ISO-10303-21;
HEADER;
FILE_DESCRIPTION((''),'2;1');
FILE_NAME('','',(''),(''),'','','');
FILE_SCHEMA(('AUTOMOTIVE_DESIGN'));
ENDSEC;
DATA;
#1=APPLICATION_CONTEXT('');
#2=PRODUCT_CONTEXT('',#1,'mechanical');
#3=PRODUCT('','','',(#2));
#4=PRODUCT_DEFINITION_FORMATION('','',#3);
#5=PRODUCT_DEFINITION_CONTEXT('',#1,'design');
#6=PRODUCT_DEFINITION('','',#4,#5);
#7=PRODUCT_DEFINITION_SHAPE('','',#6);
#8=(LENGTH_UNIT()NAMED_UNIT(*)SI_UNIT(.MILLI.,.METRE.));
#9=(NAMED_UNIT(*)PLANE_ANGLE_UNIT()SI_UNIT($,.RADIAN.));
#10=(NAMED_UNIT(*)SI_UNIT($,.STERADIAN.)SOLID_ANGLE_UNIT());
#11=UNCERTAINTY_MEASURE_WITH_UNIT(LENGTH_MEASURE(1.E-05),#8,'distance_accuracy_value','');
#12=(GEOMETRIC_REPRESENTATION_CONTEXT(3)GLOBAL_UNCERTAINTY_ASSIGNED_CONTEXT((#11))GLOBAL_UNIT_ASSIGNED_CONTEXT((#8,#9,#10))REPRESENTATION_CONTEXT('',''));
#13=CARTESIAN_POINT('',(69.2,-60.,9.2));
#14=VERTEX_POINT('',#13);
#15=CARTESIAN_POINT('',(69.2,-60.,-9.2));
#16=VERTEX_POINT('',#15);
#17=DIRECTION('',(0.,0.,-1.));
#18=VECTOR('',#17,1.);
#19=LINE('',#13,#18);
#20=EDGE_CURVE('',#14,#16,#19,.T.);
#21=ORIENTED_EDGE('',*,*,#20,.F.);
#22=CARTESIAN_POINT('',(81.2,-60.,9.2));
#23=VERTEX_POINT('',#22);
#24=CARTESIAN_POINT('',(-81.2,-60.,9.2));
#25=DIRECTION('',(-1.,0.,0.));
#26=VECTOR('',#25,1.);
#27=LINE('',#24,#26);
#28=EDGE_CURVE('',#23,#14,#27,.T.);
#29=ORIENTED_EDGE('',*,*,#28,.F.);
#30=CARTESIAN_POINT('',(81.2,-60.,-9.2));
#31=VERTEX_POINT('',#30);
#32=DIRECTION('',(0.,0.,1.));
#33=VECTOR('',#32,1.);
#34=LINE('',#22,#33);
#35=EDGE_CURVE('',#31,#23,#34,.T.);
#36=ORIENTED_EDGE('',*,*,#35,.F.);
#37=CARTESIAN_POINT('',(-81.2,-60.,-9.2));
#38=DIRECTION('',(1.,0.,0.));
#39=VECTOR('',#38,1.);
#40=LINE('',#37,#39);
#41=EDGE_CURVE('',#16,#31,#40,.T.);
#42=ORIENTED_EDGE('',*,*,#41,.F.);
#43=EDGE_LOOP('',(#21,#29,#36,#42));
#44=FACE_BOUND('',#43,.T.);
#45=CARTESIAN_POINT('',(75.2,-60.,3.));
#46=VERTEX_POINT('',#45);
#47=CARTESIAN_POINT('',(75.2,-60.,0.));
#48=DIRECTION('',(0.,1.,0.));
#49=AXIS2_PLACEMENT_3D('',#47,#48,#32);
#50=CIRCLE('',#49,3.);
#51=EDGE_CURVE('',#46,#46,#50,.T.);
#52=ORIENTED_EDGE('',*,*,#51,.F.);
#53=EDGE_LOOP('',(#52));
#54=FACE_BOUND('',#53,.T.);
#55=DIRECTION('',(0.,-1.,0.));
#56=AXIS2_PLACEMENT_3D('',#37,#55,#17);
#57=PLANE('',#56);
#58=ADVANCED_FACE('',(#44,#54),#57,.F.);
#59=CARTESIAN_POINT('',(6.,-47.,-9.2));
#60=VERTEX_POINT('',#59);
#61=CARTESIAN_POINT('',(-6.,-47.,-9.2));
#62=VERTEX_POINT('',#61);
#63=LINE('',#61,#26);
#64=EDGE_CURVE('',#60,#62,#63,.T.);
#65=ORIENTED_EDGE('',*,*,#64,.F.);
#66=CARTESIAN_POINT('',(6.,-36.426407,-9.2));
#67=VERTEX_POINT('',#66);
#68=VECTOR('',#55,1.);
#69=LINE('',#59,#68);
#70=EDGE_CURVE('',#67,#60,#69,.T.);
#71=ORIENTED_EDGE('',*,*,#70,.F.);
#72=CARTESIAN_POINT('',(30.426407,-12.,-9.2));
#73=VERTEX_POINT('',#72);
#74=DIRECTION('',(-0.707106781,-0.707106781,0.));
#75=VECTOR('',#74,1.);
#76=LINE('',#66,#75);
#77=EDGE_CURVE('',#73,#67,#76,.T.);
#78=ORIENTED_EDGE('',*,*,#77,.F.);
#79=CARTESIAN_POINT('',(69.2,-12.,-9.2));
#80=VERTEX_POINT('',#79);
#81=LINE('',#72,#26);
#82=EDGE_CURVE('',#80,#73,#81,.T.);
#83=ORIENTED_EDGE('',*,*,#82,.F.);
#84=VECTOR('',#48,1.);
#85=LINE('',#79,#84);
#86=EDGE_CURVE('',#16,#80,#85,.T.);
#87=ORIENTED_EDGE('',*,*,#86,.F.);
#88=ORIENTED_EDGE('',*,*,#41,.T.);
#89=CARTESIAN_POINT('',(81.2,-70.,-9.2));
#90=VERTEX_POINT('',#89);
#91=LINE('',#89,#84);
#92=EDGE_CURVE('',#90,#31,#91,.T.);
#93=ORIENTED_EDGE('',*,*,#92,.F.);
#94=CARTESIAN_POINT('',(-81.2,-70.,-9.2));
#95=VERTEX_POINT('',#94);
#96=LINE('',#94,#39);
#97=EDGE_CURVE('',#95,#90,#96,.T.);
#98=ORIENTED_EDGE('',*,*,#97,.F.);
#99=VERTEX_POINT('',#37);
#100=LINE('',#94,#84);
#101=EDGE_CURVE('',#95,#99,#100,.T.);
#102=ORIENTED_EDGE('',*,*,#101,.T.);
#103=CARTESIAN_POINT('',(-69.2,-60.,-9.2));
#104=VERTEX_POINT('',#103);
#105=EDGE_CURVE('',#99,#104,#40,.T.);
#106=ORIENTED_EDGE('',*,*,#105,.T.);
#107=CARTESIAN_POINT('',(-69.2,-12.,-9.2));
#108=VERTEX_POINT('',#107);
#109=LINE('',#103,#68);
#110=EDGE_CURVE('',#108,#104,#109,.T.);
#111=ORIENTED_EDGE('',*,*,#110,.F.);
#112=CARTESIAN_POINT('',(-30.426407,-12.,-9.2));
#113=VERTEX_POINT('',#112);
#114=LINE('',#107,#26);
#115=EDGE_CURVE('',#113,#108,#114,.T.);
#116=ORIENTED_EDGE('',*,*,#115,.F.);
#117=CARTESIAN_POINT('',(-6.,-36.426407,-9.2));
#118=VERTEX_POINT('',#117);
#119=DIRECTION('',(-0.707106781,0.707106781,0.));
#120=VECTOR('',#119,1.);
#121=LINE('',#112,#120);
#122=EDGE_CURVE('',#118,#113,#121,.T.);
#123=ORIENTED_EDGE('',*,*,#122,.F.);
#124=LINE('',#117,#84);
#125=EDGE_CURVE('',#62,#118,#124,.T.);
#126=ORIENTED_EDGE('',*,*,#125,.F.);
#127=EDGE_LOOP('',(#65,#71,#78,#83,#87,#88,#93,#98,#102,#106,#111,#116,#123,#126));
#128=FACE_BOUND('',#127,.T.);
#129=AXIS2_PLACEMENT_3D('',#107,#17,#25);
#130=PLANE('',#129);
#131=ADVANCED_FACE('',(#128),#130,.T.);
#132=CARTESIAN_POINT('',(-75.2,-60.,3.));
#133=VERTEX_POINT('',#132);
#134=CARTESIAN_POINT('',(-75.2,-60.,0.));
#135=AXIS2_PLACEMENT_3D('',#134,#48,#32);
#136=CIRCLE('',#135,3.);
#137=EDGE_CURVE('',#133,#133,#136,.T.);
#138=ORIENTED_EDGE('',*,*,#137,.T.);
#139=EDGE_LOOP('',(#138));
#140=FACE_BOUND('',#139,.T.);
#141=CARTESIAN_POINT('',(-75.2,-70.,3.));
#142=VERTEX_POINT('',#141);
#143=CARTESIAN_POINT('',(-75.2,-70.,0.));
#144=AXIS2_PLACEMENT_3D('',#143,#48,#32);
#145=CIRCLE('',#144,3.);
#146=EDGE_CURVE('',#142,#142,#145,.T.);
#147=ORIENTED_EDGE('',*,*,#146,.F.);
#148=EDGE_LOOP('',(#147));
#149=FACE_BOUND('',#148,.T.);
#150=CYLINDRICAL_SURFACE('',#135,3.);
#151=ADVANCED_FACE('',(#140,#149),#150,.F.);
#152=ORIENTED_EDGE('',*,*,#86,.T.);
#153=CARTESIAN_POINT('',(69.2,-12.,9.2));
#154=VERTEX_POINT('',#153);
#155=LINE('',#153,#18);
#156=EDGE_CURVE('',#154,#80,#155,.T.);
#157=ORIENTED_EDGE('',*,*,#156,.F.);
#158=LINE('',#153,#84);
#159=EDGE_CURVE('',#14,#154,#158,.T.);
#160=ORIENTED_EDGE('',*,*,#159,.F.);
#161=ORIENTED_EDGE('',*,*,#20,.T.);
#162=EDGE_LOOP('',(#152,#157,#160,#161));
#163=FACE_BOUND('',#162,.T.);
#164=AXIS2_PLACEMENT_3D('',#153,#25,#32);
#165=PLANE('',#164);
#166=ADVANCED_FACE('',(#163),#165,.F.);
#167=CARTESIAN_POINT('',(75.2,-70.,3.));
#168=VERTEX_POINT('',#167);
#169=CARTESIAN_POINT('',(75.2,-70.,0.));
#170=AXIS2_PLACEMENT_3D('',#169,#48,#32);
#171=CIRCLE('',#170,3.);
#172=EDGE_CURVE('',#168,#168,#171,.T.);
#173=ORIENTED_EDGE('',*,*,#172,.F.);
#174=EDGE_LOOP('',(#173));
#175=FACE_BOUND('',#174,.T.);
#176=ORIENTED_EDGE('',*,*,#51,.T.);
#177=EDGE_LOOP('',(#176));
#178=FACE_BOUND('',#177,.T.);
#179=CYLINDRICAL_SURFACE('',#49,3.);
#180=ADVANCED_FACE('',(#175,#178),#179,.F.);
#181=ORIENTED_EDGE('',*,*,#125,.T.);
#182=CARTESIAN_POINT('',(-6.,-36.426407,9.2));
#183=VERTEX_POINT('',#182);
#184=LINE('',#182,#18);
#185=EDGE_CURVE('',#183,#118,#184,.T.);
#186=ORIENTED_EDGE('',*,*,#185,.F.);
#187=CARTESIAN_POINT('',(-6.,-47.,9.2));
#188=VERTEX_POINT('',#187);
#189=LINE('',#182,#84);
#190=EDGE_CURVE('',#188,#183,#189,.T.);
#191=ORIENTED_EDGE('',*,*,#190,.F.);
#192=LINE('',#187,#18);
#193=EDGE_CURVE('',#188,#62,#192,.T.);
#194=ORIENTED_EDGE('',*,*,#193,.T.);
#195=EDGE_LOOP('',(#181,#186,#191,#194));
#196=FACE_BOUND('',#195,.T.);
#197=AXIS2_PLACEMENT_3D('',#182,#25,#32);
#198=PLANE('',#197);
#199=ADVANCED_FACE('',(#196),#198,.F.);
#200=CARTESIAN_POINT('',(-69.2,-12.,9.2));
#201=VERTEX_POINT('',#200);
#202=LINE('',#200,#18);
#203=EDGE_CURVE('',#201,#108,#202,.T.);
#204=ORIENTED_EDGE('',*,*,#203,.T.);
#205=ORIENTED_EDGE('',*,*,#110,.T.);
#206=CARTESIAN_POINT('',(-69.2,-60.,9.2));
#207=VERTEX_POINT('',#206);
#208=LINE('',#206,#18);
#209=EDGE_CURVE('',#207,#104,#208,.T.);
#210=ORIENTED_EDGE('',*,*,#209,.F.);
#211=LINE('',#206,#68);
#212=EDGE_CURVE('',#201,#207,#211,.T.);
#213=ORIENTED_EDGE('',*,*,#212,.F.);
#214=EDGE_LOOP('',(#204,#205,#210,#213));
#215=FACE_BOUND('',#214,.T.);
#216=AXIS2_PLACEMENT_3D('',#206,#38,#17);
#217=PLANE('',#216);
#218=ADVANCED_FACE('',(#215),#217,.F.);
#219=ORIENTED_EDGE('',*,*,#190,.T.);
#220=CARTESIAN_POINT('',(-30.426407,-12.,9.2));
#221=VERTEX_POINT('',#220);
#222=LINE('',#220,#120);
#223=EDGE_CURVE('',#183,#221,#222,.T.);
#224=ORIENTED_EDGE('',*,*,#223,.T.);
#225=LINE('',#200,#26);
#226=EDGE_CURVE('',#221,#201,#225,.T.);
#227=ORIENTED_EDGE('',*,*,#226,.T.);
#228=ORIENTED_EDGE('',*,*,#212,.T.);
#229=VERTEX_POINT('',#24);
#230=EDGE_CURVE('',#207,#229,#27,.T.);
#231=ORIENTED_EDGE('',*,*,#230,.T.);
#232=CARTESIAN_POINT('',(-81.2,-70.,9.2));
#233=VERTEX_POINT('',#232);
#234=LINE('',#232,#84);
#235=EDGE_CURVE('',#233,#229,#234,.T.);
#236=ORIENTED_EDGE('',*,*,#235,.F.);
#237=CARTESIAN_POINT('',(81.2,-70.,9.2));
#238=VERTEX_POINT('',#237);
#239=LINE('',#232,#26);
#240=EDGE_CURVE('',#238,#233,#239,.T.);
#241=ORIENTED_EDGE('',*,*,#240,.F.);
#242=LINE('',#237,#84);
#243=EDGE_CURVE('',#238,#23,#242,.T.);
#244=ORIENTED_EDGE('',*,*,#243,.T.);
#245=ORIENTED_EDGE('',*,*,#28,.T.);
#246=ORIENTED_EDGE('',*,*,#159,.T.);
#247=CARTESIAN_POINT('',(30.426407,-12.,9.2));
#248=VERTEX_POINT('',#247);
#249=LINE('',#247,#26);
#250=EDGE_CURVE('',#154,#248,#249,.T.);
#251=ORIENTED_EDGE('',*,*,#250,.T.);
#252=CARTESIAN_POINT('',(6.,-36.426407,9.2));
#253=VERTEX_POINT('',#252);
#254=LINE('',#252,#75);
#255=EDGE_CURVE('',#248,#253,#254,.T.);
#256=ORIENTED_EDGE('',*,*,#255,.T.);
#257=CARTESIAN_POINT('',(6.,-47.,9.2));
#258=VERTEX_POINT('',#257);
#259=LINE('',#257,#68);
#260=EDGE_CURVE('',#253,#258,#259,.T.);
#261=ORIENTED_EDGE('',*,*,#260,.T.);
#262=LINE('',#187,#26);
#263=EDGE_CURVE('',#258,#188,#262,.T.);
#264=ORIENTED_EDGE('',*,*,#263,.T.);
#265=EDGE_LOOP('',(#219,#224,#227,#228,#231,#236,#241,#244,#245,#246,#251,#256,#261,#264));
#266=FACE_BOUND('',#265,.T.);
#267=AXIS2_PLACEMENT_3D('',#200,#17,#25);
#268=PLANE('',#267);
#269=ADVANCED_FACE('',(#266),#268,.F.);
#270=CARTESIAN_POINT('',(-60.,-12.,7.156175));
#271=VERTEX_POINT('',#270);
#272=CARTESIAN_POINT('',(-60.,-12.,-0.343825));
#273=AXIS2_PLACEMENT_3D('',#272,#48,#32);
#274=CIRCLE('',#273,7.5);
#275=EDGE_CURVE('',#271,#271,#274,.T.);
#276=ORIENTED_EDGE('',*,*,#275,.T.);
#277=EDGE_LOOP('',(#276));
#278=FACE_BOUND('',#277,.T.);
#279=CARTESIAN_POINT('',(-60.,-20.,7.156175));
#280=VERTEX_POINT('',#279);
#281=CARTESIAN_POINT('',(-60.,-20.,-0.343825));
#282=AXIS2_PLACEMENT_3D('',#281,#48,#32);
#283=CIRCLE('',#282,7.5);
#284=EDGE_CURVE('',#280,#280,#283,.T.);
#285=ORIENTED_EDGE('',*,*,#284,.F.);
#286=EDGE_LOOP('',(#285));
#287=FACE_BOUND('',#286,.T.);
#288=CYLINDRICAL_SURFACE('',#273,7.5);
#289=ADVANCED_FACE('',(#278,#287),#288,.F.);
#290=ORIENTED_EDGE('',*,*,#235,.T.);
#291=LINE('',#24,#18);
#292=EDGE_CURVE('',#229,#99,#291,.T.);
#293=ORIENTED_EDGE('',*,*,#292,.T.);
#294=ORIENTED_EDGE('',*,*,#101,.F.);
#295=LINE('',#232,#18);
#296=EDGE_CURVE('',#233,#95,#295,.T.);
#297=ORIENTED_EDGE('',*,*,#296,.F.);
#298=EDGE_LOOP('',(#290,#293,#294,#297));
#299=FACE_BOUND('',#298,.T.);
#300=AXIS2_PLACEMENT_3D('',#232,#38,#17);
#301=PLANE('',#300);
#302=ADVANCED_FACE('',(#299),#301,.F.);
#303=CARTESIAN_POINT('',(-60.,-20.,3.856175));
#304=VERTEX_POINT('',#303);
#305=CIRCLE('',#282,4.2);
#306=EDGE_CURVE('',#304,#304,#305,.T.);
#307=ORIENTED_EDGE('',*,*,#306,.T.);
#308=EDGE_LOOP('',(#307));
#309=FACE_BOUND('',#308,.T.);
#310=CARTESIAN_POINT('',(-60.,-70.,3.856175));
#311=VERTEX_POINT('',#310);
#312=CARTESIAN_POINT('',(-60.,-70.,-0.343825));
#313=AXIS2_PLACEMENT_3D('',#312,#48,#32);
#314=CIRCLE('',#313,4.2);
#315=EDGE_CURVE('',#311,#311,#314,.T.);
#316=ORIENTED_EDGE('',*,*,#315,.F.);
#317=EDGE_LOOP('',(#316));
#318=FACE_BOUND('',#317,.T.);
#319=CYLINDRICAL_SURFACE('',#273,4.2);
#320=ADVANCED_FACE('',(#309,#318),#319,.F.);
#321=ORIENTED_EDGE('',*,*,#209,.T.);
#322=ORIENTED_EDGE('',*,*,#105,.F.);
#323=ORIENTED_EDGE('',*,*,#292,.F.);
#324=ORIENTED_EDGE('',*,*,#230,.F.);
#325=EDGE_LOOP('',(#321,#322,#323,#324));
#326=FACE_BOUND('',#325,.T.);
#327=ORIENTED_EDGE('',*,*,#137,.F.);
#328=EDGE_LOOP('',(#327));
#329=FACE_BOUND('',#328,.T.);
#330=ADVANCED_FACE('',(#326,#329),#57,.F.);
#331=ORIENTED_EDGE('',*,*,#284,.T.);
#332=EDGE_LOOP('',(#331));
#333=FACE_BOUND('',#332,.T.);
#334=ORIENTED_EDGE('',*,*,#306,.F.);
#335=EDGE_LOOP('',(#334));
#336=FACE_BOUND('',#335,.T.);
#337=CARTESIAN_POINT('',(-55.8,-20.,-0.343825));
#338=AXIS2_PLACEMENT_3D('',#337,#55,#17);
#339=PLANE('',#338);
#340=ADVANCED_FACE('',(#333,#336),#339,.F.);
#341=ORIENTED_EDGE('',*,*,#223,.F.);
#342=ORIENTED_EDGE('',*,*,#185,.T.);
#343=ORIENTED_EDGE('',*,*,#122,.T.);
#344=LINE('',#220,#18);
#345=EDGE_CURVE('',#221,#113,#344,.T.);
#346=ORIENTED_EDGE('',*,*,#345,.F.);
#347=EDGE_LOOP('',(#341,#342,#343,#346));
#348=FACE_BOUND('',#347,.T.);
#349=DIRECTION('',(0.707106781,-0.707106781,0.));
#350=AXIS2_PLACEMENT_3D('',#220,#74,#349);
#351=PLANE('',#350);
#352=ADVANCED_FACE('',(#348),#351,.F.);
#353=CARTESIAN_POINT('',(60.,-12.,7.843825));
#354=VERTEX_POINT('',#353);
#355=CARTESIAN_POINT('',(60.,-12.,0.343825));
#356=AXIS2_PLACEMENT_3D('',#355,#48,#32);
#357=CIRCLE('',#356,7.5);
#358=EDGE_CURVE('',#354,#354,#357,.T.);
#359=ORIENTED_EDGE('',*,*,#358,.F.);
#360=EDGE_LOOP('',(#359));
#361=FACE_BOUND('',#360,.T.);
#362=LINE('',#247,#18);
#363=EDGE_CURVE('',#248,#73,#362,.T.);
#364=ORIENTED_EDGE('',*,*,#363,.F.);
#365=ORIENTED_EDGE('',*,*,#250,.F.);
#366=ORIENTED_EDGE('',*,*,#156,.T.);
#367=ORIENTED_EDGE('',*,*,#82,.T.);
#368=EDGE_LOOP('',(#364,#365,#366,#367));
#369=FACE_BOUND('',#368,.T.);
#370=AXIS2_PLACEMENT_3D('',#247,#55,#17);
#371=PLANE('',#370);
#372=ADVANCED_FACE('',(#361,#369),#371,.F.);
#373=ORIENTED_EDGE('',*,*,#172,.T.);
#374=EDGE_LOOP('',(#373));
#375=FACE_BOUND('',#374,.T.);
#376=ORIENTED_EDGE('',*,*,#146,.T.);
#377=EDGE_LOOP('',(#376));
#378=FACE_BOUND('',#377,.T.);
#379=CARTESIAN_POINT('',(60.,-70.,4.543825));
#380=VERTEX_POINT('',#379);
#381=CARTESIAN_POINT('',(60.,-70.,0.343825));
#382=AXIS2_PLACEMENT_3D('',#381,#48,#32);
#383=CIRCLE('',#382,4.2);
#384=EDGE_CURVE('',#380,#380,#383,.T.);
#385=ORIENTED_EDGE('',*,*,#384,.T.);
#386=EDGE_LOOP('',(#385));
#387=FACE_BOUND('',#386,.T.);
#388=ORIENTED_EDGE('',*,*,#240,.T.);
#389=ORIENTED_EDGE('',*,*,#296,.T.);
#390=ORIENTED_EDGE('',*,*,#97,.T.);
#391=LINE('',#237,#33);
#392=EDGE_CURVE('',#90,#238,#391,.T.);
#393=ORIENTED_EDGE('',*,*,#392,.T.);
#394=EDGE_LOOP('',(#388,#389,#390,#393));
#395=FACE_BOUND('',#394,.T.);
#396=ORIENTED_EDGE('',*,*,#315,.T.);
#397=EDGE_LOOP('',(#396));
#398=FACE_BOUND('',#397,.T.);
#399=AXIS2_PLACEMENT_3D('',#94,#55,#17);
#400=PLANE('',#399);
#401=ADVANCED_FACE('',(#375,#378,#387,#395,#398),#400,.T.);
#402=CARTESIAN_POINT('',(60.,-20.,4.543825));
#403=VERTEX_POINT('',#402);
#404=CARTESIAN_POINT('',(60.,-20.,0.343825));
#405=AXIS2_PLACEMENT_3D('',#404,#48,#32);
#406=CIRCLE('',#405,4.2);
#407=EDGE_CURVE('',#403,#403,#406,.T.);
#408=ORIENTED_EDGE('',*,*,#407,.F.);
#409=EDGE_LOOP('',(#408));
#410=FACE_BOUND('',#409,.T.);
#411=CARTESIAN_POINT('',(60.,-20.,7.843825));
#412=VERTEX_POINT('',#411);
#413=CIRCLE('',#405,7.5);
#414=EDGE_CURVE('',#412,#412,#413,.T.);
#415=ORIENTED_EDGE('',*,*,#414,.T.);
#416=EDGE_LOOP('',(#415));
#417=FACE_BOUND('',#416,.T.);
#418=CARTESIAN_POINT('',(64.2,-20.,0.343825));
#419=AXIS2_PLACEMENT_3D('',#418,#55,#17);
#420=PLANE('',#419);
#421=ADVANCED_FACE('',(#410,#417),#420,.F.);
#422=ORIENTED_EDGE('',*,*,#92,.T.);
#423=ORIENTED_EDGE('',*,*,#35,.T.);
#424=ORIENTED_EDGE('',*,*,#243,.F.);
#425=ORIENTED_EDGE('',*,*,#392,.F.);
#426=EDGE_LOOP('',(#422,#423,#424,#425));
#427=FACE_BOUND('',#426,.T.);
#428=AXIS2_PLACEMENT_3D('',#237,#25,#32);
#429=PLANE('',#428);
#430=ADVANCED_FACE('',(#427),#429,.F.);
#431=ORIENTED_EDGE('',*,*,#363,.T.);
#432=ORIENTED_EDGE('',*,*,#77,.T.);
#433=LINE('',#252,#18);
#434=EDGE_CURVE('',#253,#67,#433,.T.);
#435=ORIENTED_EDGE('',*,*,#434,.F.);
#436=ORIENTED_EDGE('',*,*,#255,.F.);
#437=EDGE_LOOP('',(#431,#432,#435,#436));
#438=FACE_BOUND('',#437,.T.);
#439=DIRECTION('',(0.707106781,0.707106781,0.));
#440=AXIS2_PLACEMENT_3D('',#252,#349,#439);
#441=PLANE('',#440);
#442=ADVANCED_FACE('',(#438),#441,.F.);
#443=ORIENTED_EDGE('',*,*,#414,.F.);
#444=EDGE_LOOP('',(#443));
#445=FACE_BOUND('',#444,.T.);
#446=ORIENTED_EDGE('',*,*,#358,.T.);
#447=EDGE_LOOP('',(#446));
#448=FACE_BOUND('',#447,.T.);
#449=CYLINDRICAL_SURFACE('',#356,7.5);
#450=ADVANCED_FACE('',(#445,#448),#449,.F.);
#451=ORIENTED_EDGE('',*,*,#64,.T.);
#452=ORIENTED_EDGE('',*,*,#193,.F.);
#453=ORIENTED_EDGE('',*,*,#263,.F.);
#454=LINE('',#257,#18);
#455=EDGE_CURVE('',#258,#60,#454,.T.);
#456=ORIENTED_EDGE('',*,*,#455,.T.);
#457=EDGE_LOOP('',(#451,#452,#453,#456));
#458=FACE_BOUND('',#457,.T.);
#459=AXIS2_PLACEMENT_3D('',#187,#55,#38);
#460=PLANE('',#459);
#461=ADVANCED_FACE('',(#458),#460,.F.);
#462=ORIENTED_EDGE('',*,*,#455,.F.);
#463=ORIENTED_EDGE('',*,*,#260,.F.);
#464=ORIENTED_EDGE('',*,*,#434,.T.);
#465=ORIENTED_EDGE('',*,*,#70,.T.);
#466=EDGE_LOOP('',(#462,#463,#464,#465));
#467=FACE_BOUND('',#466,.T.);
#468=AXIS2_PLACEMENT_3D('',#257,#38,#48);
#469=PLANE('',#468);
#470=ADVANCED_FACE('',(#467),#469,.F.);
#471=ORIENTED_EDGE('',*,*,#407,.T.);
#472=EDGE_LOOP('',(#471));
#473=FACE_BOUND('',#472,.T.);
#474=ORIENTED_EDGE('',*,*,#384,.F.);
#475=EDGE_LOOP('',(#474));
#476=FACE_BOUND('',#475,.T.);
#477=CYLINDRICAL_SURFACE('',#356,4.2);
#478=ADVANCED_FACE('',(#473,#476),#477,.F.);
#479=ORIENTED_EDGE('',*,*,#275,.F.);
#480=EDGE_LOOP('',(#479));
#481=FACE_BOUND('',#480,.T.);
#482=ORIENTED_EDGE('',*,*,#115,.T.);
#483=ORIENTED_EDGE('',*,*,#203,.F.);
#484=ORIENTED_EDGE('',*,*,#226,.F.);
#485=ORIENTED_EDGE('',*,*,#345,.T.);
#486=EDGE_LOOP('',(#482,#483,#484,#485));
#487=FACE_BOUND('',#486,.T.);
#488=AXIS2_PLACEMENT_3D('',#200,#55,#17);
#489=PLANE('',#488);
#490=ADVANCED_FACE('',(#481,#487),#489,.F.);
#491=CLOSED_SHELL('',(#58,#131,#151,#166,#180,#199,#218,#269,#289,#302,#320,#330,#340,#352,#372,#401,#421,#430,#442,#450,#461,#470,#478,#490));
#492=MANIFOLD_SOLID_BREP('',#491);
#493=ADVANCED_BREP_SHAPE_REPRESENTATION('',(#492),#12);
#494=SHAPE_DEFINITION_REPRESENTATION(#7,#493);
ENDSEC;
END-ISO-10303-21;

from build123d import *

# Parameters (mm, degrees)
EXTRUDE_1_DEPTH             = 9.2
SKETCH_2_W                  = 162.4
SKETCH_2_H                  = 18.4
EXTRUDE_2_DEPTH             = 10
HOLE_WIZARD_M82_D           = 8.4
HOLE_WIZARD_M82_CBORE_D     = 15
HOLE_WIZARD_M82_CBORE_DEPTH = 8
HOLE_WIZARD_6_0_6_2_D       = 6


with BuildPart() as part:
    # Эскиз1 → Бобышка-Вытянуть1 (new, symmetric)
    with BuildSketch(Plane.XY):
        Polygon((-69.2, -12), (-30.426406871, -12), (-6, -36.426406871), (-6, -47), (6, -47), (6, -36.426406871), (30.426406871, -12), (69.2, -12), (69.2, -60), (-69.2, -60), align=None)
    extrude(amount=EXTRUDE_1_DEPTH, both=True)

    # Эскиз2 → Бобышка-Вытянуть2 (add)
    with BuildSketch(Plane.XZ.offset(60)):
        Rectangle(SKETCH_2_W, SKETCH_2_H)
    extrude(amount=EXTRUDE_2_DEPTH)

    # Цековка для винта с внутренним шестигранником M82 (through all)
    with Locations(Plane(origin=(0, -12, 0), x_dir=(-1, 0, 0), z_dir=(0, 1, 0))):
        with Locations((-60, 0.343824936), (60, -0.343824936)):
            CounterBoreHole(HOLE_WIZARD_M82_D / 2, HOLE_WIZARD_M82_CBORE_D / 2, HOLE_WIZARD_M82_CBORE_DEPTH)

    # Диаметр отверстия Ø6.0 (6)2 (through all)
    with Locations(Plane(origin=(0, -60, 0), x_dir=(-1, 0, 0), z_dir=(0, 1, 0))):
        with Locations((-75.2, 0), (75.2, 0)):
            Hole(HOLE_WIZARD_6_0_6_2_D / 2)


solid = part.part
